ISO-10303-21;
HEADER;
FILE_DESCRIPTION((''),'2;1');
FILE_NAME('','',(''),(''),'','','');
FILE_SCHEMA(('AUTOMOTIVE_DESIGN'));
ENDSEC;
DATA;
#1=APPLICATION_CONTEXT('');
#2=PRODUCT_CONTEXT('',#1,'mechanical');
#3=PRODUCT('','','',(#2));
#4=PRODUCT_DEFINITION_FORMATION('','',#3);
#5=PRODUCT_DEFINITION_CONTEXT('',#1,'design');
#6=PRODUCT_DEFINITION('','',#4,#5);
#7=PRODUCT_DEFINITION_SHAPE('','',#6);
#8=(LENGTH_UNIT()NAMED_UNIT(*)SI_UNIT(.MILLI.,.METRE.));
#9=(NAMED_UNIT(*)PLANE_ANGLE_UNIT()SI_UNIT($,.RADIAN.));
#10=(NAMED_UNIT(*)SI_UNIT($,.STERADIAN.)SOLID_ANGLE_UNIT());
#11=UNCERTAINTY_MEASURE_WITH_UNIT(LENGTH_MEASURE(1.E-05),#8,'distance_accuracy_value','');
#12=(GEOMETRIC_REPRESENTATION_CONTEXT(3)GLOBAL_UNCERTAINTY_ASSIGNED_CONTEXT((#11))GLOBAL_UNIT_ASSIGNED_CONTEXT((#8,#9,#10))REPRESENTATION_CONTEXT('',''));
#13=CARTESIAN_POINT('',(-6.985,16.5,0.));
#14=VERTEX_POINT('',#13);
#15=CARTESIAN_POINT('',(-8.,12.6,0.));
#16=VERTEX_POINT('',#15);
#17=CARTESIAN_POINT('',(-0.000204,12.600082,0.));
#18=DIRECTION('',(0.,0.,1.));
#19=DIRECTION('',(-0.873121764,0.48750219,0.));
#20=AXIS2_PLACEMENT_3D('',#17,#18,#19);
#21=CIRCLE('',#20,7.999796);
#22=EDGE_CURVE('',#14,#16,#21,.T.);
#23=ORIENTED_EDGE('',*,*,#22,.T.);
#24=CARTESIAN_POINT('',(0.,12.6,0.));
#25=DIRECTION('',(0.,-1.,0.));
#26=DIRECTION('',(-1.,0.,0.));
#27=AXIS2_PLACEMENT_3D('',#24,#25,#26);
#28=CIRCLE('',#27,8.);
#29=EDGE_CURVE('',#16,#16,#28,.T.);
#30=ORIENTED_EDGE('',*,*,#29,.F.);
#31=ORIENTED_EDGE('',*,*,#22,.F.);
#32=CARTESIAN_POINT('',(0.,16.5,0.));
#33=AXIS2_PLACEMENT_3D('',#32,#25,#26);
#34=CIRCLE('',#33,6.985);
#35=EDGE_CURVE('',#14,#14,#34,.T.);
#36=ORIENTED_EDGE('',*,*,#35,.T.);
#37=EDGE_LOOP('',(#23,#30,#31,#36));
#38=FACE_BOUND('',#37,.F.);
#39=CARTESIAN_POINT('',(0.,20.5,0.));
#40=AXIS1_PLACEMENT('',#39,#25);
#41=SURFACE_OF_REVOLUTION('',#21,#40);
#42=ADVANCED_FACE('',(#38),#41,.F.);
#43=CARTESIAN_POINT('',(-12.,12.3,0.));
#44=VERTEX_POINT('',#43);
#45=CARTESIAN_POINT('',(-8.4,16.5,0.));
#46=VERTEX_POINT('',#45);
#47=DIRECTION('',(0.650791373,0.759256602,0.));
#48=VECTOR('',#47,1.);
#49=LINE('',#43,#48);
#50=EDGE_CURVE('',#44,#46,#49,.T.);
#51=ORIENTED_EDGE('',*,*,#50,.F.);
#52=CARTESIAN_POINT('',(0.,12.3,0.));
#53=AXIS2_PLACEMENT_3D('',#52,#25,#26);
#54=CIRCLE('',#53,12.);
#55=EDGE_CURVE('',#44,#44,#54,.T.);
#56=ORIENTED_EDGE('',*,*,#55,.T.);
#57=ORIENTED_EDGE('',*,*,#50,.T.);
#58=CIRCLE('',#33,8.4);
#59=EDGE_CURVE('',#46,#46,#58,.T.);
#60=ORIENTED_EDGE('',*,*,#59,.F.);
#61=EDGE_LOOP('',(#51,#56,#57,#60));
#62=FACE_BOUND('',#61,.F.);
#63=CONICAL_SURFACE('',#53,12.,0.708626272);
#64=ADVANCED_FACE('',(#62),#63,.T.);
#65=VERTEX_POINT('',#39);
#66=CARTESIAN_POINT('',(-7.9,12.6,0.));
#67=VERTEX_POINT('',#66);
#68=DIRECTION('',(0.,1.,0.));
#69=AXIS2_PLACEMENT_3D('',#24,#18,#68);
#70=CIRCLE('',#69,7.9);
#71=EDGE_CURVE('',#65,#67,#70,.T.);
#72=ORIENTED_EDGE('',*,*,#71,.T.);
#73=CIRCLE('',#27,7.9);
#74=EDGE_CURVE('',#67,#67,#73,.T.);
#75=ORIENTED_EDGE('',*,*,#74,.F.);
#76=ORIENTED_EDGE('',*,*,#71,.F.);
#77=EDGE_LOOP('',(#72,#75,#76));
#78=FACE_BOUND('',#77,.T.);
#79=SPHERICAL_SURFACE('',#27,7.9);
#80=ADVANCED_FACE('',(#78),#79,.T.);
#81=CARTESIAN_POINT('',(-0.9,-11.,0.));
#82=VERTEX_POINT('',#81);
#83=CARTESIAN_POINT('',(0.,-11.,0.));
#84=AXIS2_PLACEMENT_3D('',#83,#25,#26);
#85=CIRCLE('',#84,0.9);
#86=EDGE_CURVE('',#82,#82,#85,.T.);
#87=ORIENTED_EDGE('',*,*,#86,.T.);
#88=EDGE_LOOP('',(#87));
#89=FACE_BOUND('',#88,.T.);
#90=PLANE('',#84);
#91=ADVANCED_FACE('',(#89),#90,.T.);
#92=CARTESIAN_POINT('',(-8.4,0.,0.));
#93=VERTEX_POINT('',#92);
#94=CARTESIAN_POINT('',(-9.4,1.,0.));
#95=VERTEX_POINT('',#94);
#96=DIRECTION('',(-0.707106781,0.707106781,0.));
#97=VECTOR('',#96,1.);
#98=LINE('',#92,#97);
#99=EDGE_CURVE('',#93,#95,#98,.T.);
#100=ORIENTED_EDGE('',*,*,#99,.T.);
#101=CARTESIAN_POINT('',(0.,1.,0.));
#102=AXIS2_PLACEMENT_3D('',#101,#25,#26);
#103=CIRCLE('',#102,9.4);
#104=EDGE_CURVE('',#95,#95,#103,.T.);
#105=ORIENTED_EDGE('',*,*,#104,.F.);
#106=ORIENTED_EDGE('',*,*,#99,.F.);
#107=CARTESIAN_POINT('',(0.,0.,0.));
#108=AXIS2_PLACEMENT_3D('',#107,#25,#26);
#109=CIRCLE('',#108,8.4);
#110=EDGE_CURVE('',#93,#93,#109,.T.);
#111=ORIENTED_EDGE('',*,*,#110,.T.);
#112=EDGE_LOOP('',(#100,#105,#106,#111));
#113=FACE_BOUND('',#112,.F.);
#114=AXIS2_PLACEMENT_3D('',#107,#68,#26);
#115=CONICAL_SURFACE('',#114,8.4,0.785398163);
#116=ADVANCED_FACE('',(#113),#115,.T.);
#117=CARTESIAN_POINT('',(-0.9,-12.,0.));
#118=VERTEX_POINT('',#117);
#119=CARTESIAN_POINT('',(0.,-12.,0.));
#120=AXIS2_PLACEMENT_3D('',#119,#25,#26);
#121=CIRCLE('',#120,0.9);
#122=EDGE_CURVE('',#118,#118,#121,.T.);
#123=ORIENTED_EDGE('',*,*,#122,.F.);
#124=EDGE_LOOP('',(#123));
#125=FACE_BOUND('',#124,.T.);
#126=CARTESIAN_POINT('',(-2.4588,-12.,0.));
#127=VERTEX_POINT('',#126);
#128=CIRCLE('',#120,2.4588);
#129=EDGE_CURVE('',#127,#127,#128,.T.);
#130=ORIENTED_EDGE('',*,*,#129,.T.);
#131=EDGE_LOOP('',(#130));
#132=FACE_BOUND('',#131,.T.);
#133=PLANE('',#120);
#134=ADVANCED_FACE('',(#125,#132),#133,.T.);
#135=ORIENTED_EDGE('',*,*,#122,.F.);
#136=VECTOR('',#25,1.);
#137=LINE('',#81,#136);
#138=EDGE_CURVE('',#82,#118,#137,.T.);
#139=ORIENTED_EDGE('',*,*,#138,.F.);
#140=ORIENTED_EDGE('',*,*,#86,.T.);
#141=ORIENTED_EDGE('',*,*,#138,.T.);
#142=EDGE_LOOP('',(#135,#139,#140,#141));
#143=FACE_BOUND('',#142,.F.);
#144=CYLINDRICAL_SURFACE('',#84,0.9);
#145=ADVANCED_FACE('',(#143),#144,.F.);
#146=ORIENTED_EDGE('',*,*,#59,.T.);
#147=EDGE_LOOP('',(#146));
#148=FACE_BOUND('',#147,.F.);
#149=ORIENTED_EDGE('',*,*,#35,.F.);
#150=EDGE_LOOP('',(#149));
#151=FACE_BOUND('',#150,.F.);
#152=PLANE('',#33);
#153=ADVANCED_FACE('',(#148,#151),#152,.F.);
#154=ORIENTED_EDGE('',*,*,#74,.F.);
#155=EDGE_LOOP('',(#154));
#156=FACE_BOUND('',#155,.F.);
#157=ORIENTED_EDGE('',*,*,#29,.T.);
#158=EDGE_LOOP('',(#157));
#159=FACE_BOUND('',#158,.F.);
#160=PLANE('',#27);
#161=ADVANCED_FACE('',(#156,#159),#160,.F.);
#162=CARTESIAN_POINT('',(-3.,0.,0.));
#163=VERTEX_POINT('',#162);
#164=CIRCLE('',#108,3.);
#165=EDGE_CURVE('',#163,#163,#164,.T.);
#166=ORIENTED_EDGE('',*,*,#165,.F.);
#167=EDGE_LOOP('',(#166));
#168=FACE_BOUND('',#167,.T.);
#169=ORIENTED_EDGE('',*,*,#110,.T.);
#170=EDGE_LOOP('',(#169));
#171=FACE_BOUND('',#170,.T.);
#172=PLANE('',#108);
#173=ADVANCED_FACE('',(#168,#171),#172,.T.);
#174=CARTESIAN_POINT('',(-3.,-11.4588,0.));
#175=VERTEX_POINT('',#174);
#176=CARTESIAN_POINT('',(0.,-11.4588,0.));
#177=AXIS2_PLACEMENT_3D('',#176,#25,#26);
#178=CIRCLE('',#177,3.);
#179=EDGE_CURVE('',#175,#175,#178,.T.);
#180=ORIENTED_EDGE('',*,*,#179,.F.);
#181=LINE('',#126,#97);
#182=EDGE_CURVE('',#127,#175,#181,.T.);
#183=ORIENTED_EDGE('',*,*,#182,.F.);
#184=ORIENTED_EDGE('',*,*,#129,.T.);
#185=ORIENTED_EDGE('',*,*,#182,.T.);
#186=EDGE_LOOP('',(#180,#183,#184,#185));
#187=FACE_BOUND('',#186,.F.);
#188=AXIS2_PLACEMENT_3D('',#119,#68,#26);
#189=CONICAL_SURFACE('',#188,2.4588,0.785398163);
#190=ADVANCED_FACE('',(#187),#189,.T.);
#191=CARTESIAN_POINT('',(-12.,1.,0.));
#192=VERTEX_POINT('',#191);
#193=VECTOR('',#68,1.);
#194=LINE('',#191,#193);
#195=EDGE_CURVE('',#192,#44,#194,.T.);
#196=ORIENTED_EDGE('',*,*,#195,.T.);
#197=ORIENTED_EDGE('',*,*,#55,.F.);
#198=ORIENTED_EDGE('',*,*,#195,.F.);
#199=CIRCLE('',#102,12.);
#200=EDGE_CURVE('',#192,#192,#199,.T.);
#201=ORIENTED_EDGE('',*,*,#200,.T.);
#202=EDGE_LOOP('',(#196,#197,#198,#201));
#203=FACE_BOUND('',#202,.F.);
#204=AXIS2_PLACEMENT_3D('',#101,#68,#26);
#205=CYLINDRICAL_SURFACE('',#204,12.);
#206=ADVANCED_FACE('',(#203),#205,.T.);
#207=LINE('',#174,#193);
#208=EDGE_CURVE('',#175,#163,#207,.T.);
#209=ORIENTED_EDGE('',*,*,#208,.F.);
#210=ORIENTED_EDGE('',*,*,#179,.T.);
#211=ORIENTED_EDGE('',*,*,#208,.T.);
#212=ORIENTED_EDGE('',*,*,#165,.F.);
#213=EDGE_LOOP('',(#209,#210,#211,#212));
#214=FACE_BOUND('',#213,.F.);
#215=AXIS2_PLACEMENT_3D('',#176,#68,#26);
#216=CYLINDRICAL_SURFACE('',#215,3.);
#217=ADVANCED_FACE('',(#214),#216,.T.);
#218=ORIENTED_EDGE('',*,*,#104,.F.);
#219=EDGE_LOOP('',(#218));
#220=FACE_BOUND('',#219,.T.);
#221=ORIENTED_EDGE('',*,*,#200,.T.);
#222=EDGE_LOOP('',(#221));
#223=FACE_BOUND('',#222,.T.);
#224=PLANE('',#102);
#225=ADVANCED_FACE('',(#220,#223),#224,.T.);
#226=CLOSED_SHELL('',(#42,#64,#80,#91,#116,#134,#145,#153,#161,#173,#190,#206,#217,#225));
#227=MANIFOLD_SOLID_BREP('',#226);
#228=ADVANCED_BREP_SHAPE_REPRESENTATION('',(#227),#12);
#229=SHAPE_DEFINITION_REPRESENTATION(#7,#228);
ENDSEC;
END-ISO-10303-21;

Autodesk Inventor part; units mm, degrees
ref_plane "YZ Plane" through (0, 0, 0) normal (1, 0, 0) x (0, 1, 0)
ref_plane "XZ Plane" through (0, 0, 0) normal (0, 1, 0) x (-1, 0, 0)
ref_plane "XY Plane" through (0, 0, 0) normal (0, 0, 1) x (1, 0, 0)
sketch "Sketch1" plane through (0, 0, 0) normal (0, 0, 1) x (1, 0, 0)
  line L0 (0.9, -11) -> (-0.9, -11) construction
  line L1 (-0.9, -11) -> (-0.9, -11.4588) construction
  line L2 (-0.9, -11.4588) -> (-0.9, -12) construction
  line L3 (-0.9, -12) -> (-2.4588, -12) construction
  line L4 (-2.4588, -12) -> (-3, -11.4588)
  line L5 (-3, -11.4588) -> (-3, 0)
  line L6 (8.4, 0) -> (-8.4, 0) construction
  line L7 (-8.4, 0) -> (-9.4, 1)
  line L8 (12, 1) -> (-12, 1) construction
  line L9 (-12, 1) -> (-12, 12.3)
  line L10 (-12, 12.3) -> (-8.4, 16.5)
  line L11 (8.4, 16.5) -> (-8.4, 16.5) construction
  line L12 (8, 12.6) -> (-8, 12.6) construction
  arc A0 (-6.985, 16.5) -> (-8, 12.6) centre (0, 12.6) ccw
  line L13 (-8.4, 16.5) -> (-6.985, 16.5)
  line L14 (0, 20.5) -> (0, -11)
  line L15 (-8, 12.6) -> (-7.9, 12.6)
  line L16 (-12, 1) -> (-9.4, 1)
  line L17 (-8.4, 0) -> (-3, 0)
  line L18 (-2.4588, -12) -> (-0.9, -12)
  line L19 (-0.9, -11) -> (-0.9, -12)
  line L20 (-0.9, -11) -> (0, -11)
  arc A1 (0, 20.5) -> (-7.9, 12.6) centre (0, 12.6) ccw
  point P0 (0, 0)
revolve "Revolution1" add sketch "Sketch1" angle 360 about axis through (0, 20.5, 0) along (0, -1, 0)
thread "Thread1" size "M6x1" class "6g" standard "ANSI Metric M Profile" full length
properties part number "ball_unit_11mi-16-13_reformed" material "Steel, High Strength, Low Alloy"
